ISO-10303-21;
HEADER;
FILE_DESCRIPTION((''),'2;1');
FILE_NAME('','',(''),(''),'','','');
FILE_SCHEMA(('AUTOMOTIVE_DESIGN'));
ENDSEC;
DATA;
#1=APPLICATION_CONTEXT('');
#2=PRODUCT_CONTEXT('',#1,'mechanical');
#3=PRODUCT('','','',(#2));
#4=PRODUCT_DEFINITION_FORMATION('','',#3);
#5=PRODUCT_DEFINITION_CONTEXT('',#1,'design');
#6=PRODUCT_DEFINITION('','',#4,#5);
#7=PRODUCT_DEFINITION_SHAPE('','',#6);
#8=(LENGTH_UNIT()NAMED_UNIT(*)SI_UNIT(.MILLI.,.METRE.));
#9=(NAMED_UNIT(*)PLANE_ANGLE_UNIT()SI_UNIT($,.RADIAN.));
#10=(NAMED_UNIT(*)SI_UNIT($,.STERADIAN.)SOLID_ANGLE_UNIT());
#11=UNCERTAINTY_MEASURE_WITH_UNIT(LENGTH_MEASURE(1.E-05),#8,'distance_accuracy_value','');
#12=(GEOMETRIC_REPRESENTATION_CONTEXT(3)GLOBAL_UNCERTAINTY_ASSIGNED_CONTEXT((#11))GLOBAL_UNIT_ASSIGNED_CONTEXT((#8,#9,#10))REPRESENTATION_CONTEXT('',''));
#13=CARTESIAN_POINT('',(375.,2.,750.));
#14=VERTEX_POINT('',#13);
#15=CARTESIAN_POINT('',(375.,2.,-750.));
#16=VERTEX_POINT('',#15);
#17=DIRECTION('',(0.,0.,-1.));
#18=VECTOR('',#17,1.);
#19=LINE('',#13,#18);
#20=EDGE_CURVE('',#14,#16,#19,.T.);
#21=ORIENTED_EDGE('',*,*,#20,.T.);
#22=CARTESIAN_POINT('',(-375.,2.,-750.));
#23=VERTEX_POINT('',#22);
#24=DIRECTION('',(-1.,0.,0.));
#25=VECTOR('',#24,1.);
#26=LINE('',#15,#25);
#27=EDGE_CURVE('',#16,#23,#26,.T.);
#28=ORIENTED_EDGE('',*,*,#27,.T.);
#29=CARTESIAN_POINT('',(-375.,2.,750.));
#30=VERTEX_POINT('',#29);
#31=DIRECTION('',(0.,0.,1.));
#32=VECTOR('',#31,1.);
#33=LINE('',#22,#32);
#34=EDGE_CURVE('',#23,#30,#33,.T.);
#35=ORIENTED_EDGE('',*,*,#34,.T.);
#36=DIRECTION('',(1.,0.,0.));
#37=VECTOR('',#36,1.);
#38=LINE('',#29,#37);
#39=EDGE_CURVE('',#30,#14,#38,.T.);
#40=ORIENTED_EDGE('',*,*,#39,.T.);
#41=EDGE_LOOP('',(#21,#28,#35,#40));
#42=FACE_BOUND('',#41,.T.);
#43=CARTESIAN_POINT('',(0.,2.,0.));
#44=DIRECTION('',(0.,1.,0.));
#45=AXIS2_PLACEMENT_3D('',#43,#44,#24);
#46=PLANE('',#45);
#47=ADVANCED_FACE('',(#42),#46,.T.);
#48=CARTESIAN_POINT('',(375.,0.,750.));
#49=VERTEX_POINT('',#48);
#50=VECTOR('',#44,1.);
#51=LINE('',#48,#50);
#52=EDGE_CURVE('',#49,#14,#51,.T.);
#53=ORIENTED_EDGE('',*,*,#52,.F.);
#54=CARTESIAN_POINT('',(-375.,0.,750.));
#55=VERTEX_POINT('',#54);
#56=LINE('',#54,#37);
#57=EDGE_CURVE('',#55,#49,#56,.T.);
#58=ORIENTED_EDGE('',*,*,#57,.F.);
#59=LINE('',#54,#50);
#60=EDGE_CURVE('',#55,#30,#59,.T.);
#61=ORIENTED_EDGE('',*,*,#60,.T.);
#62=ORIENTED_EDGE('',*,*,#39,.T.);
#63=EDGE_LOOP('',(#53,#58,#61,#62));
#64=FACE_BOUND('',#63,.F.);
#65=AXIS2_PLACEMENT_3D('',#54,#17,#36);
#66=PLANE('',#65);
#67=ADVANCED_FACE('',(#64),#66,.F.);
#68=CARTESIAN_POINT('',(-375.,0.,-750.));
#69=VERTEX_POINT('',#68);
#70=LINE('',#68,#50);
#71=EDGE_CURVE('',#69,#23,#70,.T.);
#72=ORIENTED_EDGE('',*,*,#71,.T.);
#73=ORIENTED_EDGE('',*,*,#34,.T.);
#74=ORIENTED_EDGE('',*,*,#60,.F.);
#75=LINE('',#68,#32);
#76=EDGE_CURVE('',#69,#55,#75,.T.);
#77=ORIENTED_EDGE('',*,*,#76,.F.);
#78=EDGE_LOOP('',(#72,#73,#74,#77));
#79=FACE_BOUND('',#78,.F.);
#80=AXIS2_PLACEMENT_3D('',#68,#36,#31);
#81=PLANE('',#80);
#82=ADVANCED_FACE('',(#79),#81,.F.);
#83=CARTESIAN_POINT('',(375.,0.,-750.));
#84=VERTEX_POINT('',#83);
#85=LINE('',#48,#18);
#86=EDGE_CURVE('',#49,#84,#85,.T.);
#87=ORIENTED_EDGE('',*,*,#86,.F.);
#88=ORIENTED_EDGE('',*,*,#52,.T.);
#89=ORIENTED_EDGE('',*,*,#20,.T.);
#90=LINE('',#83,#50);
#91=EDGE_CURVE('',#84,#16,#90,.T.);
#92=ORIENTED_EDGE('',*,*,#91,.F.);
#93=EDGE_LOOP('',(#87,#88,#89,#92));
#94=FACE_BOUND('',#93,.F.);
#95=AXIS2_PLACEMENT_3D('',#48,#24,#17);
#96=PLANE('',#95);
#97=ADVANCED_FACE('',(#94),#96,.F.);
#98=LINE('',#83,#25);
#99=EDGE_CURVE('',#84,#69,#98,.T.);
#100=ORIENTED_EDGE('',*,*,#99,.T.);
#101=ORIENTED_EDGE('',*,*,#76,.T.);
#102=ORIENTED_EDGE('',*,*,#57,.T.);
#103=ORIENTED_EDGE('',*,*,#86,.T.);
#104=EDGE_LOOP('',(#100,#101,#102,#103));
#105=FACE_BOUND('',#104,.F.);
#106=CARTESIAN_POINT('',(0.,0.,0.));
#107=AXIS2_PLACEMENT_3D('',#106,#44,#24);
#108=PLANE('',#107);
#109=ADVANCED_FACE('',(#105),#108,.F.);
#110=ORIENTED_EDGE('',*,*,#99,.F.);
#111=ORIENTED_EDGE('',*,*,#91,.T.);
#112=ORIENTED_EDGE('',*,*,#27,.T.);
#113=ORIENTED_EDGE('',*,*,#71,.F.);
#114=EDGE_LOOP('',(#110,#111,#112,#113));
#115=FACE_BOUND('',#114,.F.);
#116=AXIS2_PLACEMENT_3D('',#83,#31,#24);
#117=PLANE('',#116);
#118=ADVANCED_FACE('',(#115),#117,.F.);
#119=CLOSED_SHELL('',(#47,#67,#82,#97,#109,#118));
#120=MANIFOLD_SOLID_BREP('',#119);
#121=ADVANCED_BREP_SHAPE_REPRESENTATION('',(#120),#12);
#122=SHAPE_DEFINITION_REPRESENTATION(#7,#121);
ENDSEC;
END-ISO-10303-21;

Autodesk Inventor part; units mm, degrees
ref_plane "YZ Plane" through (0, 0, 0) normal (1, 0, 0) x (0, 1, 0)
ref_plane "XZ Plane" through (0, 0, 0) normal (0, 1, 0) x (-1, 0, 0)
ref_plane "XY Plane" through (0, 0, 0) normal (0, 0, 1) x (1, 0, 0)
sketch "スケッチ1" plane through (0, 0, 0) normal (0, 1, 0) x (-1, 0, 0)
  line L0 (-375, -750) -> (375, -750)
  line L1 (375, -750) -> (375, 750)
  line L2 (375, 750) -> (-375, 750)
  line L3 (-375, 750) -> (-375, -750)
  line L4 (-375, -750) -> (375, 750) construction
  line L5 (375, -750) -> (-375, 750) construction
  point P0 (0, 0)
  dimension "d0" = 1500
  dimension "d1" = 750
extrude "押し出し1" add sketch "スケッチ1" along normal blind 2
properties part number "Panel_A" material "アルミニウム 6061"
